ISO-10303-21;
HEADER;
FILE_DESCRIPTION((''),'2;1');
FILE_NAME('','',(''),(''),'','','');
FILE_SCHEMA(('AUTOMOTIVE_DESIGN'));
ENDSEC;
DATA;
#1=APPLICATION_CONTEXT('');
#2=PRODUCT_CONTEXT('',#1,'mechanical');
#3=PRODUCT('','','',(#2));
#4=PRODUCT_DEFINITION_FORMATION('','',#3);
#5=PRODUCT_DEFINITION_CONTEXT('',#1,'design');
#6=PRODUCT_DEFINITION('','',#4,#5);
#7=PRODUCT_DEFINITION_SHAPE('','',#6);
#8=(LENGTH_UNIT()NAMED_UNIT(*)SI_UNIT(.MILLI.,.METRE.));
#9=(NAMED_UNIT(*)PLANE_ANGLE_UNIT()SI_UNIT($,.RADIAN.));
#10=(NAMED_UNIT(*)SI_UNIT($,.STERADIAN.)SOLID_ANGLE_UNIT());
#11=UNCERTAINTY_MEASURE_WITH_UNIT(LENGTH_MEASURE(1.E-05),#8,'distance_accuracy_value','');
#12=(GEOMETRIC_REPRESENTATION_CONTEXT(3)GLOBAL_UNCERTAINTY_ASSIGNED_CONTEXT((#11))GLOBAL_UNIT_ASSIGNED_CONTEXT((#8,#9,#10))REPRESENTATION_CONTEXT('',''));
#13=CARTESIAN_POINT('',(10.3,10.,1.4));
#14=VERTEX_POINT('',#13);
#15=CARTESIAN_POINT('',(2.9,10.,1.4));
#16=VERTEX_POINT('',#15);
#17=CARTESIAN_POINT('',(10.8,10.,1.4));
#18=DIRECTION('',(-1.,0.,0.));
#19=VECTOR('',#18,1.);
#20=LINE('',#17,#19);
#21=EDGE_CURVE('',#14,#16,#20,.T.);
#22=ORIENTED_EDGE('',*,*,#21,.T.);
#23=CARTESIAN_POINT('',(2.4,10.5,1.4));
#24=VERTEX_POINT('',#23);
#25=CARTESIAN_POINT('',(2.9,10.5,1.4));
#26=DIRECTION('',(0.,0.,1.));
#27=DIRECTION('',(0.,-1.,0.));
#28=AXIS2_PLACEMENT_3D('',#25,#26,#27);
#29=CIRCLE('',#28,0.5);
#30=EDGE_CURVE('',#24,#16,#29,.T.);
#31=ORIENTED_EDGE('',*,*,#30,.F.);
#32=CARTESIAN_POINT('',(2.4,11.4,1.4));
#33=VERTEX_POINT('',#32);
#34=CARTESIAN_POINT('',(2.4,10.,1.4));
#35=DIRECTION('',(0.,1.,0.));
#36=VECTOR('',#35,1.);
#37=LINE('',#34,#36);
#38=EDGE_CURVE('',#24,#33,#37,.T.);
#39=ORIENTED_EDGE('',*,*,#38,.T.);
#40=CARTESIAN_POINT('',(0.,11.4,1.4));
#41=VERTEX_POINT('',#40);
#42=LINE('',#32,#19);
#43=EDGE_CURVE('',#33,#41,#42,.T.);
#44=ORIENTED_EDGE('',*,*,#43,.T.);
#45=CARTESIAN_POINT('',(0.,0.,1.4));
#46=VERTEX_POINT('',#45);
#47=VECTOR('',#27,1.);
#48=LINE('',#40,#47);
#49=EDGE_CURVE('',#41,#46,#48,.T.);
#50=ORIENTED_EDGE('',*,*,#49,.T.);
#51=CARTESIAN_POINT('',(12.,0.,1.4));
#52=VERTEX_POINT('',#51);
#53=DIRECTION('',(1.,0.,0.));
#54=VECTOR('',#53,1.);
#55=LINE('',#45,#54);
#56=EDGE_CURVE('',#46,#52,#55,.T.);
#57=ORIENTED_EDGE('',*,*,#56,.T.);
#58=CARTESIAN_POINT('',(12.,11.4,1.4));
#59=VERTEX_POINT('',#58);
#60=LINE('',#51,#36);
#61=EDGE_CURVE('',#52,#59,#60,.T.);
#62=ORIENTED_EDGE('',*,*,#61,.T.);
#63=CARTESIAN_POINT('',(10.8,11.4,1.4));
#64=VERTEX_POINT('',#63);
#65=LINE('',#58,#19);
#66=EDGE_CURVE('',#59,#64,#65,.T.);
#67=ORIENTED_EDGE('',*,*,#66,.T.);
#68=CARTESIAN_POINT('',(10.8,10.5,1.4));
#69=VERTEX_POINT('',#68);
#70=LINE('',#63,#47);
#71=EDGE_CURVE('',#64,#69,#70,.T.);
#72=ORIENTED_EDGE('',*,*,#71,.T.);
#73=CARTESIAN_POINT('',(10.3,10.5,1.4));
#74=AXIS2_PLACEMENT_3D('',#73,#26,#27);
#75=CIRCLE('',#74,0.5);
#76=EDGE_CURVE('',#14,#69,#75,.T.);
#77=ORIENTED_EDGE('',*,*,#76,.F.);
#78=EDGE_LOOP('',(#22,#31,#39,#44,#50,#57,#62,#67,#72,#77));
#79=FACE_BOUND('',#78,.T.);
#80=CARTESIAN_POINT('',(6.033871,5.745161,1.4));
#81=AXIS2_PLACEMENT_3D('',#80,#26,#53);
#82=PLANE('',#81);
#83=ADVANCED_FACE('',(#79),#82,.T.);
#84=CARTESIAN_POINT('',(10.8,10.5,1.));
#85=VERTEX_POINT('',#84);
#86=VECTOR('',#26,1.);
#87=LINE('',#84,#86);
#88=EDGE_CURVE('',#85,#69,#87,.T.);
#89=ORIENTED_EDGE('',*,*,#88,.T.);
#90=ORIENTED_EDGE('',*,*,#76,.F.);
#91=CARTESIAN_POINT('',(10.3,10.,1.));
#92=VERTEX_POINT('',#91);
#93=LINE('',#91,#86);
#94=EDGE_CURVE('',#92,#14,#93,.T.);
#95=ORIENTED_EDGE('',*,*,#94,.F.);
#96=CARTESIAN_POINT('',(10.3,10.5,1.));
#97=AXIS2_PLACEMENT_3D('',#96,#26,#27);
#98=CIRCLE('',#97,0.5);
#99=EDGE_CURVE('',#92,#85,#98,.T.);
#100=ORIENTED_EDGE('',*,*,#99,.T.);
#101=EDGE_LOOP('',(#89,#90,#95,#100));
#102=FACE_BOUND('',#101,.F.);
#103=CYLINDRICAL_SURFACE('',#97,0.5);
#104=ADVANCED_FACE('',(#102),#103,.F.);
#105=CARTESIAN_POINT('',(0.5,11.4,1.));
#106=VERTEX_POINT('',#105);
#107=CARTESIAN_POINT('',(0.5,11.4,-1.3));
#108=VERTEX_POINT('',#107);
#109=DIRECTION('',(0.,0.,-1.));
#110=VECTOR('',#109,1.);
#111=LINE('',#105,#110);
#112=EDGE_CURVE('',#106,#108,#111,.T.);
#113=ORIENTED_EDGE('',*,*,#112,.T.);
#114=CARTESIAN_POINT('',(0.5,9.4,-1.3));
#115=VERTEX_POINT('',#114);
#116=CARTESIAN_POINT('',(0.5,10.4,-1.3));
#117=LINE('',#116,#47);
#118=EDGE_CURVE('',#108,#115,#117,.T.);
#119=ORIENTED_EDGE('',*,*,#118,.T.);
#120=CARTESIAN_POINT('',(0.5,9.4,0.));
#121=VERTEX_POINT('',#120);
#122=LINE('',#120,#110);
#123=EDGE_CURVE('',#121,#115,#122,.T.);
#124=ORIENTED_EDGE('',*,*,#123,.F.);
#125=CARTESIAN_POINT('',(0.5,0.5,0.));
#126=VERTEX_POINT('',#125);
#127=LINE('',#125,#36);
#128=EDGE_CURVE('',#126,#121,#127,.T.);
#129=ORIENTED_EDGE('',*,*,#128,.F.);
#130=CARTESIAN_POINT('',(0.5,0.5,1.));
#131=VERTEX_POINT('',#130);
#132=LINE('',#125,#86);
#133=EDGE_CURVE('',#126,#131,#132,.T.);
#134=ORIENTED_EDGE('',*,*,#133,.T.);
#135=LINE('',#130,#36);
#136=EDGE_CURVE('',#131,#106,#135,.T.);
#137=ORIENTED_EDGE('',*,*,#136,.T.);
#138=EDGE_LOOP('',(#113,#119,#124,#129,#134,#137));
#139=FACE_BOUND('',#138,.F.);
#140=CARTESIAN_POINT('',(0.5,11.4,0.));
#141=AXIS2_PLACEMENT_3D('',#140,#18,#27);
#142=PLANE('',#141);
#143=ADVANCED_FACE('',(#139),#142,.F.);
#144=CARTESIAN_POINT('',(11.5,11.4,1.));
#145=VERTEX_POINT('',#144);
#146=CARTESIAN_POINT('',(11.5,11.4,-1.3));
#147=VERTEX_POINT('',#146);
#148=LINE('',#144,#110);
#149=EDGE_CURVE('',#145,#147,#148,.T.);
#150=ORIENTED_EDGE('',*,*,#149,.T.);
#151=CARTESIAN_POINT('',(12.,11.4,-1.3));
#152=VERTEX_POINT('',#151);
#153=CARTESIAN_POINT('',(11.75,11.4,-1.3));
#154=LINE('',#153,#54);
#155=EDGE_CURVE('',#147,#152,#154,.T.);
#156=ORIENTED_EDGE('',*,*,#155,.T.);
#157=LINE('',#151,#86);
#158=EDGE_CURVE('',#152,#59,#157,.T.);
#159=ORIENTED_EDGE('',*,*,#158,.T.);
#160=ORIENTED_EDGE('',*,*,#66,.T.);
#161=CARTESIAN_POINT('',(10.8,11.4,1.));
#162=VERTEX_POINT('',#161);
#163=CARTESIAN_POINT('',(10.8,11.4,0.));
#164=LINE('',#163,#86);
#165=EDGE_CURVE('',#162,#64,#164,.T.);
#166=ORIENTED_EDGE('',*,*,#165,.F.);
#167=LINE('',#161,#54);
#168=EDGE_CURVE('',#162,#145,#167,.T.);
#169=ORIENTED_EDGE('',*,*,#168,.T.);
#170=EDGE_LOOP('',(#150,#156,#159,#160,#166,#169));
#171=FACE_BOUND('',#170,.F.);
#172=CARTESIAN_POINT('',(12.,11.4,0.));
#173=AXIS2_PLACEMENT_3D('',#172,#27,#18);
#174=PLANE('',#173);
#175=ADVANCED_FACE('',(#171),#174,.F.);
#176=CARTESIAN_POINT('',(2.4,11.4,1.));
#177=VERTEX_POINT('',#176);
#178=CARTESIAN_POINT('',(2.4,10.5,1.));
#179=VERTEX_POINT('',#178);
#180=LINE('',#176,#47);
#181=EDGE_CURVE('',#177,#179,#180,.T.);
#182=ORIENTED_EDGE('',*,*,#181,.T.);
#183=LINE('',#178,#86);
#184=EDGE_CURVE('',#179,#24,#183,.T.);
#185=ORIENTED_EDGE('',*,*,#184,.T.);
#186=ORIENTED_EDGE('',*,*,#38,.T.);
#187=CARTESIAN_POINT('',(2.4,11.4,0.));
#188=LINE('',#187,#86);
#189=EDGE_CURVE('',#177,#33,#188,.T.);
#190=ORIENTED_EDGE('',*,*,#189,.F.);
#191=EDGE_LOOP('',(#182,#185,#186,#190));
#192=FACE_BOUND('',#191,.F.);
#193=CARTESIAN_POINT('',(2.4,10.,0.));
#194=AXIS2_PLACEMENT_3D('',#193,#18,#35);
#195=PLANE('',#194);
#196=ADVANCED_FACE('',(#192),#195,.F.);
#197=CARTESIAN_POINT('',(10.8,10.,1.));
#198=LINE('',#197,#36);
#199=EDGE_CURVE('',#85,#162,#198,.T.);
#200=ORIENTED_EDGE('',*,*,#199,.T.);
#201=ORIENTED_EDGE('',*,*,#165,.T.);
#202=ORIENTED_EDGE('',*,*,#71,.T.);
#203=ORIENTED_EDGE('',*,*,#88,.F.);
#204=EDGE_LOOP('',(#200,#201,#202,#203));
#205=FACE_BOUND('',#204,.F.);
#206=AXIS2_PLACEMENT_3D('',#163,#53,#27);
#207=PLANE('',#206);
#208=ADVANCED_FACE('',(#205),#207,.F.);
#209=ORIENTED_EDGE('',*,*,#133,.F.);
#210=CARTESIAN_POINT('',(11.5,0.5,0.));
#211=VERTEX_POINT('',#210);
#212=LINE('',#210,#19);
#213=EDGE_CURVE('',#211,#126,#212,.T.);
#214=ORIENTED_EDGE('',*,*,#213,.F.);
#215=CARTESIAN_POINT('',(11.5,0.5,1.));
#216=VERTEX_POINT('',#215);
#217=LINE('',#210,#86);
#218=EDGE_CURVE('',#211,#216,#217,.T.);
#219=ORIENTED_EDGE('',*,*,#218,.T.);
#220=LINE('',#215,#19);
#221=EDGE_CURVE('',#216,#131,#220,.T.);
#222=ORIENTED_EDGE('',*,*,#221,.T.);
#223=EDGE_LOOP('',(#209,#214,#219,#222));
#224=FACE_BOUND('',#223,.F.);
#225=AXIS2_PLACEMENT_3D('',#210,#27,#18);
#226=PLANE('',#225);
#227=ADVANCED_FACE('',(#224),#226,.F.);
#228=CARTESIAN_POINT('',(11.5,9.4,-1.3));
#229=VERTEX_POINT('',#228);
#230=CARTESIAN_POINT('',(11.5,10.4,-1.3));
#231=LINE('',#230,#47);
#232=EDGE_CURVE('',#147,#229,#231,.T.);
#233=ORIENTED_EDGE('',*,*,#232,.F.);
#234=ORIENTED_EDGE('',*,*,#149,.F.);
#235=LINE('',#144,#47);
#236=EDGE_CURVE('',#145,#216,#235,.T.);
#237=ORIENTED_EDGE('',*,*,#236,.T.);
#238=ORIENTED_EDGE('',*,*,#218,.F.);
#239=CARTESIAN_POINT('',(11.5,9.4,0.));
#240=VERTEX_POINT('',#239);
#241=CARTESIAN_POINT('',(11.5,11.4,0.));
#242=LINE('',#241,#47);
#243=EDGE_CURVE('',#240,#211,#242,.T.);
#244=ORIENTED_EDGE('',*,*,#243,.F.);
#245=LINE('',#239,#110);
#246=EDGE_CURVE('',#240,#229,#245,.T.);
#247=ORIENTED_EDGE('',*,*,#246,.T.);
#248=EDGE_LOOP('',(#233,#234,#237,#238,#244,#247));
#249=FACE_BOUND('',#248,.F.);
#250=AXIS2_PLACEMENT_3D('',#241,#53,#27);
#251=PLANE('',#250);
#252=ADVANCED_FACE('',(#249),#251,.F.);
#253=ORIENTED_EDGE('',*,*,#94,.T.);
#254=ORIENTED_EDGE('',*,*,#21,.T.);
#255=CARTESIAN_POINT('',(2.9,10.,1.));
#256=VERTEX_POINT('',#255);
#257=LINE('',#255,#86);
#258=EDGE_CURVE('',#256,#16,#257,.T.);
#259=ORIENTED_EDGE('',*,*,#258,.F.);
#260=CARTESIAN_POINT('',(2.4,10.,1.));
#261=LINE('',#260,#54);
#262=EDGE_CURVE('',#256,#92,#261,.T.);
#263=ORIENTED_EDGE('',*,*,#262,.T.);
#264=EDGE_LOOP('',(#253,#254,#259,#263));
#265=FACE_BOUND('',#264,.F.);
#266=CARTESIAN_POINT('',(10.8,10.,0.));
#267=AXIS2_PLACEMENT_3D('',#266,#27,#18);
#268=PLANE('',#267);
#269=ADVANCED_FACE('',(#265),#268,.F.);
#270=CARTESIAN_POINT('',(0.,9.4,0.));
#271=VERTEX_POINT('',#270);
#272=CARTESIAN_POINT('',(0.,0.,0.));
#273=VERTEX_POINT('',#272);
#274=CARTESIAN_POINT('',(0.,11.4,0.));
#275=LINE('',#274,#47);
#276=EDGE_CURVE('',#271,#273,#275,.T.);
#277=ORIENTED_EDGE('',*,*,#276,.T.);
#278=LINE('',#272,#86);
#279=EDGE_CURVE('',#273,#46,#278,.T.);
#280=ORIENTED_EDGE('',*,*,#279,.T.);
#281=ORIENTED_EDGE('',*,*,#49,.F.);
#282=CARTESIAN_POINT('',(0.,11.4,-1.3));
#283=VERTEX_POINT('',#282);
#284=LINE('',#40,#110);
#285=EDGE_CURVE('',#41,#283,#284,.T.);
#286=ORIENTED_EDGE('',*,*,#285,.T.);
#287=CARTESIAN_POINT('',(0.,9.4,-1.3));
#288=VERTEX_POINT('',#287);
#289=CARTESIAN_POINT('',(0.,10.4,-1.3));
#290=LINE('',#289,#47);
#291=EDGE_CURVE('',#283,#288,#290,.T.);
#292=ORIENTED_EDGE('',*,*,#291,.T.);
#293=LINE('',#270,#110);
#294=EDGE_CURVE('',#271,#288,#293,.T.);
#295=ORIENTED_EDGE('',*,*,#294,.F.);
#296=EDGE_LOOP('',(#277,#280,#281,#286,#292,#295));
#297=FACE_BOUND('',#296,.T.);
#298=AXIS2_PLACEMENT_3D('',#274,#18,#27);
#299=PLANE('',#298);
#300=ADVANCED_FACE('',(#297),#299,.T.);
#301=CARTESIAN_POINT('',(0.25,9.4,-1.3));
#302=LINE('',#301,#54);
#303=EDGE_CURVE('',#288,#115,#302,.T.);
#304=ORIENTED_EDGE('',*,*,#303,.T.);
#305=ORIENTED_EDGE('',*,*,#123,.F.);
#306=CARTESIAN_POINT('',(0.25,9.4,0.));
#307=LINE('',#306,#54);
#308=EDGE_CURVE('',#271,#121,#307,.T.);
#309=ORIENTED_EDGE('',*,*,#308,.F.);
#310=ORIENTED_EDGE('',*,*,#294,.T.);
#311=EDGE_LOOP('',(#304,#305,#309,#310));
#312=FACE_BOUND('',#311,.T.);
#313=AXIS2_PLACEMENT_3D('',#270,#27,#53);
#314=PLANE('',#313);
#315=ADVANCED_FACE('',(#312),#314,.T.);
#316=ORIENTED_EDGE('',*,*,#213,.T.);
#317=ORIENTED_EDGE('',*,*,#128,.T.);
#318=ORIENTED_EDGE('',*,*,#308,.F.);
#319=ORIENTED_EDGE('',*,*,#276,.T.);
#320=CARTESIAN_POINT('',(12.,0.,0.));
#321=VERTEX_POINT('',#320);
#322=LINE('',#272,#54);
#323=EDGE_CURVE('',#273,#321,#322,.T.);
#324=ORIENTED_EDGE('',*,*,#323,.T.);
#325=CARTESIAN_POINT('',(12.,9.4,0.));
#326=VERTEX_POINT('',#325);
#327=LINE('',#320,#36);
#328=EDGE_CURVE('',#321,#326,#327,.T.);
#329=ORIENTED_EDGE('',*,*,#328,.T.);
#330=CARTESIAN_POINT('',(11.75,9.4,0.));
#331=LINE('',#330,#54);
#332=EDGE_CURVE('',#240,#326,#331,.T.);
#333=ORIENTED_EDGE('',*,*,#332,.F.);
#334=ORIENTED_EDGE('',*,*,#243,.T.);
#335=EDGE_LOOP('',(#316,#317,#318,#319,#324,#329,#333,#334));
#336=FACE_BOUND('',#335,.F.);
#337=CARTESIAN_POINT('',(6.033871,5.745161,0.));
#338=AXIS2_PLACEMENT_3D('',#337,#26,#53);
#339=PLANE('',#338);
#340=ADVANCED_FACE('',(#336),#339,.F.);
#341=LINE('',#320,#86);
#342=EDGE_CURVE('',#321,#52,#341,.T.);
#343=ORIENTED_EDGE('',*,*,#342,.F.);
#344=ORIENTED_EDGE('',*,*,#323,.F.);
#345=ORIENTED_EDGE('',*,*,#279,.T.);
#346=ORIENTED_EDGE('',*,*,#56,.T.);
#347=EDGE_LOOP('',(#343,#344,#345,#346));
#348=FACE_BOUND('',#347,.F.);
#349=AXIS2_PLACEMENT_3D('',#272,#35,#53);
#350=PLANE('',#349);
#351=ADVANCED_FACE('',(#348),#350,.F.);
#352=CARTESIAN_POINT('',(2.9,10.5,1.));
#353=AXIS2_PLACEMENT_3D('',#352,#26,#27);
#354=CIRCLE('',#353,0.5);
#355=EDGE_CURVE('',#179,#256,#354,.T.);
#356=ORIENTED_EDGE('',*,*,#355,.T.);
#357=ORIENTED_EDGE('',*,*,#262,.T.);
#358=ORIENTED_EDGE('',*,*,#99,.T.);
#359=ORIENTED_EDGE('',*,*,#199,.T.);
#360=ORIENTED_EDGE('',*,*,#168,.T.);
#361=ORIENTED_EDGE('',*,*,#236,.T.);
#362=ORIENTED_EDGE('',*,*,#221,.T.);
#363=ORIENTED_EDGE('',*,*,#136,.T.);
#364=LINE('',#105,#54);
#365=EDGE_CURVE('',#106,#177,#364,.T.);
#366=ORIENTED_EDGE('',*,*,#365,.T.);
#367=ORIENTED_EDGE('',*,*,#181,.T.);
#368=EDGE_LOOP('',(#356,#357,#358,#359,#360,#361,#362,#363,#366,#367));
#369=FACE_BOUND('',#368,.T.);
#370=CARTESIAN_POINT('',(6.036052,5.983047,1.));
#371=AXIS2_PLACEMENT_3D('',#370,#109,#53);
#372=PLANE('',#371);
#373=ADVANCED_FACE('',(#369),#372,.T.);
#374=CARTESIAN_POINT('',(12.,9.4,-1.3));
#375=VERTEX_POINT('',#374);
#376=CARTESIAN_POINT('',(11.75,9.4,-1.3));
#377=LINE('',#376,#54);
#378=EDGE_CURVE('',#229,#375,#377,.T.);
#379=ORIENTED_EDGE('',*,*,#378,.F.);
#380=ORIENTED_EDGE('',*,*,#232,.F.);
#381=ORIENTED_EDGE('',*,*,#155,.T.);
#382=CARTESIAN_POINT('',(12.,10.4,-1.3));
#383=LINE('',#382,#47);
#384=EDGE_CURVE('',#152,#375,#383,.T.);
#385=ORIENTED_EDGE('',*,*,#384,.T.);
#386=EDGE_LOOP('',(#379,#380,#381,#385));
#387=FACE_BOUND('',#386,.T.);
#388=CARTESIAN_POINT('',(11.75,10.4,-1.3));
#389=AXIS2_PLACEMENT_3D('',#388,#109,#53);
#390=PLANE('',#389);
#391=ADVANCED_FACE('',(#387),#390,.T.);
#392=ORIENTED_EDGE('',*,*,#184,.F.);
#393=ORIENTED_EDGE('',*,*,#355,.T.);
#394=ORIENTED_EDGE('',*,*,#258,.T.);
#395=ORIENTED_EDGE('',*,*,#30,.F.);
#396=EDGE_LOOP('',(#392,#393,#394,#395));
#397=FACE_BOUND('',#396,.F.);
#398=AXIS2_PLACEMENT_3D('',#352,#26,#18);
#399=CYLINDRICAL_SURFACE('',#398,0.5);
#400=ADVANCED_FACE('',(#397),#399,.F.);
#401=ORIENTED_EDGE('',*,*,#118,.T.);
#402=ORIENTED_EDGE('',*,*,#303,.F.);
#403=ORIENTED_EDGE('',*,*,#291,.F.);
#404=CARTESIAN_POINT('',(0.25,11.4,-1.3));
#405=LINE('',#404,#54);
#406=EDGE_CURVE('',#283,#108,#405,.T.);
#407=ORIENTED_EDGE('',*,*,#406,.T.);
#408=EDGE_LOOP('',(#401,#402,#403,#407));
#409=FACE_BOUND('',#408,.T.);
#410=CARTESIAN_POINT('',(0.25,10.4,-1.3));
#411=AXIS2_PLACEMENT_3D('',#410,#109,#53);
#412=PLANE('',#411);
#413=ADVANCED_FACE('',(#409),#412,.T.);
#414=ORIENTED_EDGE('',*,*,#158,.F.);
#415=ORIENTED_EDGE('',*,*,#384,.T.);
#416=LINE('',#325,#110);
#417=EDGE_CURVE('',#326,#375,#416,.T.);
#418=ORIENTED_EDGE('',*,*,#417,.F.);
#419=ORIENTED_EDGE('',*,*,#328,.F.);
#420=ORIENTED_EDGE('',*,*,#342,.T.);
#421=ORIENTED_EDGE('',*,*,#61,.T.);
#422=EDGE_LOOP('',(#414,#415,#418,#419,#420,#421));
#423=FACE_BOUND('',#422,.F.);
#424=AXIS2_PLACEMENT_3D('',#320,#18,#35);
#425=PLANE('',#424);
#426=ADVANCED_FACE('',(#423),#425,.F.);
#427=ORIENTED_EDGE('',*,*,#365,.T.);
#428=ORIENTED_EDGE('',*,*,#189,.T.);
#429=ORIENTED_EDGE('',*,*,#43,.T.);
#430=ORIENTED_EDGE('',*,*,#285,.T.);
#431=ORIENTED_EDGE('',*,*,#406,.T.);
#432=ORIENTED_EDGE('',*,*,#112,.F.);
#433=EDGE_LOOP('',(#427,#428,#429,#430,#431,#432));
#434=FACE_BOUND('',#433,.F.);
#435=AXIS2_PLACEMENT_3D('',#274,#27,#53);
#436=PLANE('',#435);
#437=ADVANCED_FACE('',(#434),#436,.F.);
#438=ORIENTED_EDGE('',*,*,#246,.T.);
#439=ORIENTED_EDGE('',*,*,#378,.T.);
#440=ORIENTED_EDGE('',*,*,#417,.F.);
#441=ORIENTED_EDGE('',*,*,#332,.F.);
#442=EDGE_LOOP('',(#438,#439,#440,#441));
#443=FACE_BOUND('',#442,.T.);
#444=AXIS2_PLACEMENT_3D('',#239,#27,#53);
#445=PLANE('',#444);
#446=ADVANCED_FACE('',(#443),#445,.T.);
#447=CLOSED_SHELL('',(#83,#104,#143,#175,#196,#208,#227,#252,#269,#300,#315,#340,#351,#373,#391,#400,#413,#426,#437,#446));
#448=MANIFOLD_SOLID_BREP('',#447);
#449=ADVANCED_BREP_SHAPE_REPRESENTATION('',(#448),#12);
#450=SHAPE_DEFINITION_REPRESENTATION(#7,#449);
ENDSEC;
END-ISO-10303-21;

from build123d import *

# Parameters (mm, degrees)
F1_DEPTH = 1.4
F3_DEPTH = 1
F4_W     = 0.5
F4_H     = 2
F5_DEPTH = 1.3
F6_R     = 0.5


with BuildPart() as f1:
    # F0 (on Top) → F1 (new body)
    with BuildSketch(Plane.XY):
        Polygon((0, 11.4), (0, 0), (12, 0), (12, 11.4), (10.8, 11.4), (10.8, 10), (2.4, 10), (2.4, 11.4), align=None)
    extrude(amount=F1_DEPTH)

    # F2 (on face) → F3 (cut)
    with BuildSketch(Plane(origin=(0, 0, 0), x_dir=(1, 0, 0), z_dir=(0, 0, -1))):
        Polygon((11.5, -0.5), (0.5, -0.5), (0.5, -11.4), (2.4, -11.4), (2.4, -10), (10.8, -10), (10.8, -11.4), (11.5, -11.4), align=None)
    extrude(amount=-F3_DEPTH, mode=Mode.SUBTRACT)

    # F4 (on face) → F5 (join)
    with BuildSketch(Plane(origin=(0, 0, 0), x_dir=(1, 0, 0), z_dir=(0, 0, -1))):
        with Locations((0.25, -10.4)):
            Rectangle(F4_W, F4_H)
        with Locations((11.75, -10.4)):
            Rectangle(F4_W, F4_H)
    extrude(amount=F5_DEPTH)

    # F6
    f6_edges = [f1.edges().sort_by_distance(p)[0] for p in [
        (10.8, 10, 1.2),
        (2.4, 10, 1.2),
    ]]
    fillet(f6_edges, radius=F6_R)


solid = f1.part
